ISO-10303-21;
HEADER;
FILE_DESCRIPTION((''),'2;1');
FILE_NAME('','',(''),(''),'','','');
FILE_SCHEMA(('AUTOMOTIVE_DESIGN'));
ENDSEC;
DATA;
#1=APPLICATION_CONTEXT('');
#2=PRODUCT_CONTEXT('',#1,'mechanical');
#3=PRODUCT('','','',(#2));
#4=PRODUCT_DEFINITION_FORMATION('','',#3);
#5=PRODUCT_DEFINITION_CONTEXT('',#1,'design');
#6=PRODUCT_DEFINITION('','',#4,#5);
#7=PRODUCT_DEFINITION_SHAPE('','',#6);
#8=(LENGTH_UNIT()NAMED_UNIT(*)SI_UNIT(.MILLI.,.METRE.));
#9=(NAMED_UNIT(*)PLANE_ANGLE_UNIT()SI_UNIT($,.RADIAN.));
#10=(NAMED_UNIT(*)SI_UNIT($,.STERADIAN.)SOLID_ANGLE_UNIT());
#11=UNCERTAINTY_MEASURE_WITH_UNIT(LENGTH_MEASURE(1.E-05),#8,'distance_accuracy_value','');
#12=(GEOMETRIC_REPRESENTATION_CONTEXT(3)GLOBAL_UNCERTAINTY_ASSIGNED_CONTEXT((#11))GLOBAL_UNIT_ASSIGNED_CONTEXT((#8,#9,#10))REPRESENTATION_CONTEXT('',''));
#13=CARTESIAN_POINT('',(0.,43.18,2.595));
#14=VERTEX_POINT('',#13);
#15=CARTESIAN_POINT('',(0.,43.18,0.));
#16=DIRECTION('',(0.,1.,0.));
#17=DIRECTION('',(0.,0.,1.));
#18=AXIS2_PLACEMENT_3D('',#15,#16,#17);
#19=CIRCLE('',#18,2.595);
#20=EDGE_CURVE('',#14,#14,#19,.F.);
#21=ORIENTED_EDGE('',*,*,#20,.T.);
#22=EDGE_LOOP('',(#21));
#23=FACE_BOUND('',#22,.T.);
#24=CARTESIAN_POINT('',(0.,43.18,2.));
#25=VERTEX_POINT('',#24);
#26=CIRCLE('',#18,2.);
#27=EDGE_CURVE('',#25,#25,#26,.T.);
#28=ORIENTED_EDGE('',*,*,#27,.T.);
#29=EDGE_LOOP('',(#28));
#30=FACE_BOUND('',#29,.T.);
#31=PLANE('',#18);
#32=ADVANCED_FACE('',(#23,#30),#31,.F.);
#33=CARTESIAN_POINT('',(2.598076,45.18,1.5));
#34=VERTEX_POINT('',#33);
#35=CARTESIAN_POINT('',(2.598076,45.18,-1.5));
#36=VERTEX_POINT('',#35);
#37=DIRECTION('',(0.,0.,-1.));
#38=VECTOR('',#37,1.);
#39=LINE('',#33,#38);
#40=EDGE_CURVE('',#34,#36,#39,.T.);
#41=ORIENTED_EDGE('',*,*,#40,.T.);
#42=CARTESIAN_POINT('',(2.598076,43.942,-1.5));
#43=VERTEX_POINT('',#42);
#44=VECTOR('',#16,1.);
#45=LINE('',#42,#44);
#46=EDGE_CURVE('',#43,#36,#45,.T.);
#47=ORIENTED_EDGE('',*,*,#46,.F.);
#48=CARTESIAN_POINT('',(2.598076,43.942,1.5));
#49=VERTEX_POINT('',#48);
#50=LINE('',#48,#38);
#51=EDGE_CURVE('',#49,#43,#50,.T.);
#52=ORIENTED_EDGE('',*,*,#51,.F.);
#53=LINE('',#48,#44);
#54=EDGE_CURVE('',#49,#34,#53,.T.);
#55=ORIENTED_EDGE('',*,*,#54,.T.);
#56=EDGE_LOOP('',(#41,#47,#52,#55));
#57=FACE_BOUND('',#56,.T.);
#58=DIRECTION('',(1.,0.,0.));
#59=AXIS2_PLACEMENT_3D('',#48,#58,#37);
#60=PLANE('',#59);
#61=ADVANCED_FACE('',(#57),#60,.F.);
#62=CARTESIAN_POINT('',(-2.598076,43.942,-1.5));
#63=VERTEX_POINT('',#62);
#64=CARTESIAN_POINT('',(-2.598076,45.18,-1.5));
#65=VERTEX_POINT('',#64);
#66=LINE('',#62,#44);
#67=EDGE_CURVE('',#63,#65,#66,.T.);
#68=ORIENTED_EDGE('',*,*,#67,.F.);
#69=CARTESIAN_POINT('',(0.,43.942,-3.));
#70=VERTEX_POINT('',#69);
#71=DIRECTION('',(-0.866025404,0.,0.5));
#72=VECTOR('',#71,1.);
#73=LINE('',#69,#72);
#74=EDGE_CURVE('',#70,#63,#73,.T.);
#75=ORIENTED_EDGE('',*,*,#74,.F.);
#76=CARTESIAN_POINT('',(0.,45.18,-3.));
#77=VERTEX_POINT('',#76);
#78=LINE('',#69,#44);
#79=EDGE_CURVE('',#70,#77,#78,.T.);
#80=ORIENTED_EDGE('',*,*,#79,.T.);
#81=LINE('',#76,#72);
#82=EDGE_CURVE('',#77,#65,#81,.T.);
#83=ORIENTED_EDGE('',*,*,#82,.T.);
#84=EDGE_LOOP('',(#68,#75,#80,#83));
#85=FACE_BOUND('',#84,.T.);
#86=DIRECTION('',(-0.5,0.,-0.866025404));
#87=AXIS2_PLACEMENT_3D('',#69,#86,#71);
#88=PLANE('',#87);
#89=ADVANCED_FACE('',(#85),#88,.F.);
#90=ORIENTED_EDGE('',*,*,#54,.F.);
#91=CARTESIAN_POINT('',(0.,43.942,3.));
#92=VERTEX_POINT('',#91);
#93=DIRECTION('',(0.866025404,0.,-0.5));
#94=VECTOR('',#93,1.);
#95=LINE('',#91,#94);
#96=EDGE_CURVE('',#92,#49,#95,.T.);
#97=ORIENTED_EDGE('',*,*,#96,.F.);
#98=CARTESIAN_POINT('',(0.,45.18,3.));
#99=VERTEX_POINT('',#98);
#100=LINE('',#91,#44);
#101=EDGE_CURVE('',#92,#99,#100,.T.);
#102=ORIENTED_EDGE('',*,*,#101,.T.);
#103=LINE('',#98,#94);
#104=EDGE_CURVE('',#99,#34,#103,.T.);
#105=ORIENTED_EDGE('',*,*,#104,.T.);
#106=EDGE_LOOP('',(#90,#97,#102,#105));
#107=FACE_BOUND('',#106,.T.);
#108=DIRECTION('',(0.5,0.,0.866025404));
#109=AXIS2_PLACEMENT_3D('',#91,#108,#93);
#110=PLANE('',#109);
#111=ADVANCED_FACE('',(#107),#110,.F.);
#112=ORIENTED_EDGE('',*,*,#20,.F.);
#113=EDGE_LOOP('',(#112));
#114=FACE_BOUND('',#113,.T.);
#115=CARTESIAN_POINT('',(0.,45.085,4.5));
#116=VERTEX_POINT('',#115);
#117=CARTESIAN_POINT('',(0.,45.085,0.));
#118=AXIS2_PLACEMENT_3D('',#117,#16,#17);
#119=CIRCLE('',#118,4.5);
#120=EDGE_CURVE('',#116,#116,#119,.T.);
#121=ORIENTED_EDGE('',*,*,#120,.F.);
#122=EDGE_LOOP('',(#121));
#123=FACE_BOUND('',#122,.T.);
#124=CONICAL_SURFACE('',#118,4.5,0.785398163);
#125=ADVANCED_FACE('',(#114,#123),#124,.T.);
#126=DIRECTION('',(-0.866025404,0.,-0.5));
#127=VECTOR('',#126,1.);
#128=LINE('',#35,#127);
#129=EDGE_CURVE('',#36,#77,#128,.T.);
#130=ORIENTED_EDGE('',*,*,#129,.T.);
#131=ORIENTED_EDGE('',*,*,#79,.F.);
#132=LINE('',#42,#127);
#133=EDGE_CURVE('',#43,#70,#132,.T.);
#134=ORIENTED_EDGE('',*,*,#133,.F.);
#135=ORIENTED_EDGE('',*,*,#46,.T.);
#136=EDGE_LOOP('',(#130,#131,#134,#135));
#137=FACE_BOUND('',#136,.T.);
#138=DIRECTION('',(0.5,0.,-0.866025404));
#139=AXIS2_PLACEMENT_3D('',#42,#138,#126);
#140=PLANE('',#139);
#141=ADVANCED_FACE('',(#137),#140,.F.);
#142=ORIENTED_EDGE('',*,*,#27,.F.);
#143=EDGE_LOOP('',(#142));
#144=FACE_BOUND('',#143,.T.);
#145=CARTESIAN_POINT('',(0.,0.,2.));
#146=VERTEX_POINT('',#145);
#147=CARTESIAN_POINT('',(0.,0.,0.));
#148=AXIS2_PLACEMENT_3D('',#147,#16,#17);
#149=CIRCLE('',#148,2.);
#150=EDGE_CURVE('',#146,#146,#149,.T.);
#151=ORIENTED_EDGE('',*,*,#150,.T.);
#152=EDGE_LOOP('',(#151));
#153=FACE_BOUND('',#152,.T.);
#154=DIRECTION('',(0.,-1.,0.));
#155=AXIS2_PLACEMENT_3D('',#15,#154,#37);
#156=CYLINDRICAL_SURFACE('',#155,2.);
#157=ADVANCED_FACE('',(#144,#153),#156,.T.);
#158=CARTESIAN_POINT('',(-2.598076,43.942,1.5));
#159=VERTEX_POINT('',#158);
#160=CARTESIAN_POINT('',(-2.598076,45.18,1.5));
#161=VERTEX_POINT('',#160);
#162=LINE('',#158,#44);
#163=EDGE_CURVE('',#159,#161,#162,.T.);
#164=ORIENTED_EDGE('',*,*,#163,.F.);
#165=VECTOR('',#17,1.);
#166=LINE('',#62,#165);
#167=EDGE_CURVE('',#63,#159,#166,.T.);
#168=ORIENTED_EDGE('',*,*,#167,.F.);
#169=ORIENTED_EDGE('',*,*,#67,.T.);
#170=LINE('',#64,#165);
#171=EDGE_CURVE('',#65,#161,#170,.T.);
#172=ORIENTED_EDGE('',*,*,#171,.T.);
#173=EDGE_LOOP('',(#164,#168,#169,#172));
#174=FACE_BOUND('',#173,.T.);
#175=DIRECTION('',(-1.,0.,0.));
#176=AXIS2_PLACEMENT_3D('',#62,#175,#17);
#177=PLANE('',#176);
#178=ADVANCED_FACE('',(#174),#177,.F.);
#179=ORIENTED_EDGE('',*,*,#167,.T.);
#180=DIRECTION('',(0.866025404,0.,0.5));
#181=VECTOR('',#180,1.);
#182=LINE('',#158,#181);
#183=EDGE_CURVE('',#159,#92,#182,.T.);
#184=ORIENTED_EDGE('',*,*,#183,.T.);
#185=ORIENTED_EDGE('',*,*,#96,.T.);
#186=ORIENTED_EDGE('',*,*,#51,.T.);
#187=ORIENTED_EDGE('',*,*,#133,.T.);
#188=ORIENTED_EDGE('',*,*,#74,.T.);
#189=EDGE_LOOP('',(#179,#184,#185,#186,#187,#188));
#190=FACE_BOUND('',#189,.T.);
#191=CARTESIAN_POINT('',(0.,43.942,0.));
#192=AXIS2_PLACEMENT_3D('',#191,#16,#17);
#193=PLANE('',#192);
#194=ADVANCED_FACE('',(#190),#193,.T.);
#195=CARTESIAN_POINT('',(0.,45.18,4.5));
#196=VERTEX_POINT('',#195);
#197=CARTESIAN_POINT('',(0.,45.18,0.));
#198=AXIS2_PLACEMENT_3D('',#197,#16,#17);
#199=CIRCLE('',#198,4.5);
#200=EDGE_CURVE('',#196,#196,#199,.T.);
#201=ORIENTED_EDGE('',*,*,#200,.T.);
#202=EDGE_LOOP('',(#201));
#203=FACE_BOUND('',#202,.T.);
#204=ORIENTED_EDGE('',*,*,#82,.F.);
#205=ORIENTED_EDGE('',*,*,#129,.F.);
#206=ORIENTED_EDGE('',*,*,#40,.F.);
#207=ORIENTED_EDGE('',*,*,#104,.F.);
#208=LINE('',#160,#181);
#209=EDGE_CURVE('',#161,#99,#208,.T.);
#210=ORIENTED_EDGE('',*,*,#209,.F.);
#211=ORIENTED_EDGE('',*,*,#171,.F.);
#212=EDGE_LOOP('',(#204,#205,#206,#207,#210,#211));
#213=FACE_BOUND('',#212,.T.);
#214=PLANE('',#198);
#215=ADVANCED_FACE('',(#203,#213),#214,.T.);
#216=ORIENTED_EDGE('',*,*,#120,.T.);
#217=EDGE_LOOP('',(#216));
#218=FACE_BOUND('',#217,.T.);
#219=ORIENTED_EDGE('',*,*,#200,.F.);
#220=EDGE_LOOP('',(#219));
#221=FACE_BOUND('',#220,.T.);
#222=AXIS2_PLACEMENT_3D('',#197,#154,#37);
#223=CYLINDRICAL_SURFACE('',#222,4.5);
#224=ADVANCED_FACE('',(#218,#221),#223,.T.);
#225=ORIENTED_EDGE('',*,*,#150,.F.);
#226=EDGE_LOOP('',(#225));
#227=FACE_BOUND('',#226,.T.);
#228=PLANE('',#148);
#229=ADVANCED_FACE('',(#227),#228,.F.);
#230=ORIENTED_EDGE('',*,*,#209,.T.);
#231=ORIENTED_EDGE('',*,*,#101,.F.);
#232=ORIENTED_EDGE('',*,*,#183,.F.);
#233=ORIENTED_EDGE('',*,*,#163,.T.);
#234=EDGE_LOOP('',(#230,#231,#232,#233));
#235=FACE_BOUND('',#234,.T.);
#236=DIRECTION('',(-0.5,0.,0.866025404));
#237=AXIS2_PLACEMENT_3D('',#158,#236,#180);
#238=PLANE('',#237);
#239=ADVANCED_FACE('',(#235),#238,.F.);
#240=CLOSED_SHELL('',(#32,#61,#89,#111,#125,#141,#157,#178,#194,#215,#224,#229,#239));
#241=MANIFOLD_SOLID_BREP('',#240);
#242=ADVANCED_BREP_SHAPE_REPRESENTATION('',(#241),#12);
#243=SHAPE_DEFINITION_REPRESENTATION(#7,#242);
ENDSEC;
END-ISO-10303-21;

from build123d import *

# Parameters (mm, degrees)
SKETCH1_R     = 2
LENGTH_DEPTH  = 43.18
SKETCH2_R     = 4.5
CAP_DEPTH     = 2
HEX_CUT_DEPTH = 1.238
CHAMFER1_SIZE = 1.905


with BuildPart() as part:
    # Sketch1 → Length (new body)
    with BuildSketch(Plane(origin=(0, 0, 0), x_dir=(1, 0, 0), z_dir=(0, 1, 0))):
        with Locations(Location((0, 0, 0), (0, 0, 270))):
            Circle(SKETCH1_R)
    extrude(amount=LENGTH_DEPTH)

    # Sketch2 → Cap (add)
    with BuildSketch(Plane(origin=(0, 43.18, 0), x_dir=(1, 0, 0), z_dir=(0, 1, 0))):
        with Locations(Location((0, 0, 0), (0, 0, 270))):
            Circle(SKETCH2_R)
    extrude(amount=CAP_DEPTH)

    # Sketch3 → Hex cut (cut)
    with BuildSketch(Plane(origin=(0, 45.18, 0), x_dir=(1, 0, 0), z_dir=(0, 1, 0))):
        Polygon((0, 3), (-2.598076211, 1.5), (-2.598076211, -1.5), (0, -3), (2.598076211, -1.5), (2.598076211, 1.5), align=None)
    extrude(amount=-HEX_CUT_DEPTH, mode=Mode.SUBTRACT)

    # Chamfer1
    chamfer1_edges = [part.edges().sort_by_distance(p)[0] for p in [
        (0, 43.18, -4.5),
    ]]
    chamfer(chamfer1_edges, length=CHAMFER1_SIZE)


solid = part.part
